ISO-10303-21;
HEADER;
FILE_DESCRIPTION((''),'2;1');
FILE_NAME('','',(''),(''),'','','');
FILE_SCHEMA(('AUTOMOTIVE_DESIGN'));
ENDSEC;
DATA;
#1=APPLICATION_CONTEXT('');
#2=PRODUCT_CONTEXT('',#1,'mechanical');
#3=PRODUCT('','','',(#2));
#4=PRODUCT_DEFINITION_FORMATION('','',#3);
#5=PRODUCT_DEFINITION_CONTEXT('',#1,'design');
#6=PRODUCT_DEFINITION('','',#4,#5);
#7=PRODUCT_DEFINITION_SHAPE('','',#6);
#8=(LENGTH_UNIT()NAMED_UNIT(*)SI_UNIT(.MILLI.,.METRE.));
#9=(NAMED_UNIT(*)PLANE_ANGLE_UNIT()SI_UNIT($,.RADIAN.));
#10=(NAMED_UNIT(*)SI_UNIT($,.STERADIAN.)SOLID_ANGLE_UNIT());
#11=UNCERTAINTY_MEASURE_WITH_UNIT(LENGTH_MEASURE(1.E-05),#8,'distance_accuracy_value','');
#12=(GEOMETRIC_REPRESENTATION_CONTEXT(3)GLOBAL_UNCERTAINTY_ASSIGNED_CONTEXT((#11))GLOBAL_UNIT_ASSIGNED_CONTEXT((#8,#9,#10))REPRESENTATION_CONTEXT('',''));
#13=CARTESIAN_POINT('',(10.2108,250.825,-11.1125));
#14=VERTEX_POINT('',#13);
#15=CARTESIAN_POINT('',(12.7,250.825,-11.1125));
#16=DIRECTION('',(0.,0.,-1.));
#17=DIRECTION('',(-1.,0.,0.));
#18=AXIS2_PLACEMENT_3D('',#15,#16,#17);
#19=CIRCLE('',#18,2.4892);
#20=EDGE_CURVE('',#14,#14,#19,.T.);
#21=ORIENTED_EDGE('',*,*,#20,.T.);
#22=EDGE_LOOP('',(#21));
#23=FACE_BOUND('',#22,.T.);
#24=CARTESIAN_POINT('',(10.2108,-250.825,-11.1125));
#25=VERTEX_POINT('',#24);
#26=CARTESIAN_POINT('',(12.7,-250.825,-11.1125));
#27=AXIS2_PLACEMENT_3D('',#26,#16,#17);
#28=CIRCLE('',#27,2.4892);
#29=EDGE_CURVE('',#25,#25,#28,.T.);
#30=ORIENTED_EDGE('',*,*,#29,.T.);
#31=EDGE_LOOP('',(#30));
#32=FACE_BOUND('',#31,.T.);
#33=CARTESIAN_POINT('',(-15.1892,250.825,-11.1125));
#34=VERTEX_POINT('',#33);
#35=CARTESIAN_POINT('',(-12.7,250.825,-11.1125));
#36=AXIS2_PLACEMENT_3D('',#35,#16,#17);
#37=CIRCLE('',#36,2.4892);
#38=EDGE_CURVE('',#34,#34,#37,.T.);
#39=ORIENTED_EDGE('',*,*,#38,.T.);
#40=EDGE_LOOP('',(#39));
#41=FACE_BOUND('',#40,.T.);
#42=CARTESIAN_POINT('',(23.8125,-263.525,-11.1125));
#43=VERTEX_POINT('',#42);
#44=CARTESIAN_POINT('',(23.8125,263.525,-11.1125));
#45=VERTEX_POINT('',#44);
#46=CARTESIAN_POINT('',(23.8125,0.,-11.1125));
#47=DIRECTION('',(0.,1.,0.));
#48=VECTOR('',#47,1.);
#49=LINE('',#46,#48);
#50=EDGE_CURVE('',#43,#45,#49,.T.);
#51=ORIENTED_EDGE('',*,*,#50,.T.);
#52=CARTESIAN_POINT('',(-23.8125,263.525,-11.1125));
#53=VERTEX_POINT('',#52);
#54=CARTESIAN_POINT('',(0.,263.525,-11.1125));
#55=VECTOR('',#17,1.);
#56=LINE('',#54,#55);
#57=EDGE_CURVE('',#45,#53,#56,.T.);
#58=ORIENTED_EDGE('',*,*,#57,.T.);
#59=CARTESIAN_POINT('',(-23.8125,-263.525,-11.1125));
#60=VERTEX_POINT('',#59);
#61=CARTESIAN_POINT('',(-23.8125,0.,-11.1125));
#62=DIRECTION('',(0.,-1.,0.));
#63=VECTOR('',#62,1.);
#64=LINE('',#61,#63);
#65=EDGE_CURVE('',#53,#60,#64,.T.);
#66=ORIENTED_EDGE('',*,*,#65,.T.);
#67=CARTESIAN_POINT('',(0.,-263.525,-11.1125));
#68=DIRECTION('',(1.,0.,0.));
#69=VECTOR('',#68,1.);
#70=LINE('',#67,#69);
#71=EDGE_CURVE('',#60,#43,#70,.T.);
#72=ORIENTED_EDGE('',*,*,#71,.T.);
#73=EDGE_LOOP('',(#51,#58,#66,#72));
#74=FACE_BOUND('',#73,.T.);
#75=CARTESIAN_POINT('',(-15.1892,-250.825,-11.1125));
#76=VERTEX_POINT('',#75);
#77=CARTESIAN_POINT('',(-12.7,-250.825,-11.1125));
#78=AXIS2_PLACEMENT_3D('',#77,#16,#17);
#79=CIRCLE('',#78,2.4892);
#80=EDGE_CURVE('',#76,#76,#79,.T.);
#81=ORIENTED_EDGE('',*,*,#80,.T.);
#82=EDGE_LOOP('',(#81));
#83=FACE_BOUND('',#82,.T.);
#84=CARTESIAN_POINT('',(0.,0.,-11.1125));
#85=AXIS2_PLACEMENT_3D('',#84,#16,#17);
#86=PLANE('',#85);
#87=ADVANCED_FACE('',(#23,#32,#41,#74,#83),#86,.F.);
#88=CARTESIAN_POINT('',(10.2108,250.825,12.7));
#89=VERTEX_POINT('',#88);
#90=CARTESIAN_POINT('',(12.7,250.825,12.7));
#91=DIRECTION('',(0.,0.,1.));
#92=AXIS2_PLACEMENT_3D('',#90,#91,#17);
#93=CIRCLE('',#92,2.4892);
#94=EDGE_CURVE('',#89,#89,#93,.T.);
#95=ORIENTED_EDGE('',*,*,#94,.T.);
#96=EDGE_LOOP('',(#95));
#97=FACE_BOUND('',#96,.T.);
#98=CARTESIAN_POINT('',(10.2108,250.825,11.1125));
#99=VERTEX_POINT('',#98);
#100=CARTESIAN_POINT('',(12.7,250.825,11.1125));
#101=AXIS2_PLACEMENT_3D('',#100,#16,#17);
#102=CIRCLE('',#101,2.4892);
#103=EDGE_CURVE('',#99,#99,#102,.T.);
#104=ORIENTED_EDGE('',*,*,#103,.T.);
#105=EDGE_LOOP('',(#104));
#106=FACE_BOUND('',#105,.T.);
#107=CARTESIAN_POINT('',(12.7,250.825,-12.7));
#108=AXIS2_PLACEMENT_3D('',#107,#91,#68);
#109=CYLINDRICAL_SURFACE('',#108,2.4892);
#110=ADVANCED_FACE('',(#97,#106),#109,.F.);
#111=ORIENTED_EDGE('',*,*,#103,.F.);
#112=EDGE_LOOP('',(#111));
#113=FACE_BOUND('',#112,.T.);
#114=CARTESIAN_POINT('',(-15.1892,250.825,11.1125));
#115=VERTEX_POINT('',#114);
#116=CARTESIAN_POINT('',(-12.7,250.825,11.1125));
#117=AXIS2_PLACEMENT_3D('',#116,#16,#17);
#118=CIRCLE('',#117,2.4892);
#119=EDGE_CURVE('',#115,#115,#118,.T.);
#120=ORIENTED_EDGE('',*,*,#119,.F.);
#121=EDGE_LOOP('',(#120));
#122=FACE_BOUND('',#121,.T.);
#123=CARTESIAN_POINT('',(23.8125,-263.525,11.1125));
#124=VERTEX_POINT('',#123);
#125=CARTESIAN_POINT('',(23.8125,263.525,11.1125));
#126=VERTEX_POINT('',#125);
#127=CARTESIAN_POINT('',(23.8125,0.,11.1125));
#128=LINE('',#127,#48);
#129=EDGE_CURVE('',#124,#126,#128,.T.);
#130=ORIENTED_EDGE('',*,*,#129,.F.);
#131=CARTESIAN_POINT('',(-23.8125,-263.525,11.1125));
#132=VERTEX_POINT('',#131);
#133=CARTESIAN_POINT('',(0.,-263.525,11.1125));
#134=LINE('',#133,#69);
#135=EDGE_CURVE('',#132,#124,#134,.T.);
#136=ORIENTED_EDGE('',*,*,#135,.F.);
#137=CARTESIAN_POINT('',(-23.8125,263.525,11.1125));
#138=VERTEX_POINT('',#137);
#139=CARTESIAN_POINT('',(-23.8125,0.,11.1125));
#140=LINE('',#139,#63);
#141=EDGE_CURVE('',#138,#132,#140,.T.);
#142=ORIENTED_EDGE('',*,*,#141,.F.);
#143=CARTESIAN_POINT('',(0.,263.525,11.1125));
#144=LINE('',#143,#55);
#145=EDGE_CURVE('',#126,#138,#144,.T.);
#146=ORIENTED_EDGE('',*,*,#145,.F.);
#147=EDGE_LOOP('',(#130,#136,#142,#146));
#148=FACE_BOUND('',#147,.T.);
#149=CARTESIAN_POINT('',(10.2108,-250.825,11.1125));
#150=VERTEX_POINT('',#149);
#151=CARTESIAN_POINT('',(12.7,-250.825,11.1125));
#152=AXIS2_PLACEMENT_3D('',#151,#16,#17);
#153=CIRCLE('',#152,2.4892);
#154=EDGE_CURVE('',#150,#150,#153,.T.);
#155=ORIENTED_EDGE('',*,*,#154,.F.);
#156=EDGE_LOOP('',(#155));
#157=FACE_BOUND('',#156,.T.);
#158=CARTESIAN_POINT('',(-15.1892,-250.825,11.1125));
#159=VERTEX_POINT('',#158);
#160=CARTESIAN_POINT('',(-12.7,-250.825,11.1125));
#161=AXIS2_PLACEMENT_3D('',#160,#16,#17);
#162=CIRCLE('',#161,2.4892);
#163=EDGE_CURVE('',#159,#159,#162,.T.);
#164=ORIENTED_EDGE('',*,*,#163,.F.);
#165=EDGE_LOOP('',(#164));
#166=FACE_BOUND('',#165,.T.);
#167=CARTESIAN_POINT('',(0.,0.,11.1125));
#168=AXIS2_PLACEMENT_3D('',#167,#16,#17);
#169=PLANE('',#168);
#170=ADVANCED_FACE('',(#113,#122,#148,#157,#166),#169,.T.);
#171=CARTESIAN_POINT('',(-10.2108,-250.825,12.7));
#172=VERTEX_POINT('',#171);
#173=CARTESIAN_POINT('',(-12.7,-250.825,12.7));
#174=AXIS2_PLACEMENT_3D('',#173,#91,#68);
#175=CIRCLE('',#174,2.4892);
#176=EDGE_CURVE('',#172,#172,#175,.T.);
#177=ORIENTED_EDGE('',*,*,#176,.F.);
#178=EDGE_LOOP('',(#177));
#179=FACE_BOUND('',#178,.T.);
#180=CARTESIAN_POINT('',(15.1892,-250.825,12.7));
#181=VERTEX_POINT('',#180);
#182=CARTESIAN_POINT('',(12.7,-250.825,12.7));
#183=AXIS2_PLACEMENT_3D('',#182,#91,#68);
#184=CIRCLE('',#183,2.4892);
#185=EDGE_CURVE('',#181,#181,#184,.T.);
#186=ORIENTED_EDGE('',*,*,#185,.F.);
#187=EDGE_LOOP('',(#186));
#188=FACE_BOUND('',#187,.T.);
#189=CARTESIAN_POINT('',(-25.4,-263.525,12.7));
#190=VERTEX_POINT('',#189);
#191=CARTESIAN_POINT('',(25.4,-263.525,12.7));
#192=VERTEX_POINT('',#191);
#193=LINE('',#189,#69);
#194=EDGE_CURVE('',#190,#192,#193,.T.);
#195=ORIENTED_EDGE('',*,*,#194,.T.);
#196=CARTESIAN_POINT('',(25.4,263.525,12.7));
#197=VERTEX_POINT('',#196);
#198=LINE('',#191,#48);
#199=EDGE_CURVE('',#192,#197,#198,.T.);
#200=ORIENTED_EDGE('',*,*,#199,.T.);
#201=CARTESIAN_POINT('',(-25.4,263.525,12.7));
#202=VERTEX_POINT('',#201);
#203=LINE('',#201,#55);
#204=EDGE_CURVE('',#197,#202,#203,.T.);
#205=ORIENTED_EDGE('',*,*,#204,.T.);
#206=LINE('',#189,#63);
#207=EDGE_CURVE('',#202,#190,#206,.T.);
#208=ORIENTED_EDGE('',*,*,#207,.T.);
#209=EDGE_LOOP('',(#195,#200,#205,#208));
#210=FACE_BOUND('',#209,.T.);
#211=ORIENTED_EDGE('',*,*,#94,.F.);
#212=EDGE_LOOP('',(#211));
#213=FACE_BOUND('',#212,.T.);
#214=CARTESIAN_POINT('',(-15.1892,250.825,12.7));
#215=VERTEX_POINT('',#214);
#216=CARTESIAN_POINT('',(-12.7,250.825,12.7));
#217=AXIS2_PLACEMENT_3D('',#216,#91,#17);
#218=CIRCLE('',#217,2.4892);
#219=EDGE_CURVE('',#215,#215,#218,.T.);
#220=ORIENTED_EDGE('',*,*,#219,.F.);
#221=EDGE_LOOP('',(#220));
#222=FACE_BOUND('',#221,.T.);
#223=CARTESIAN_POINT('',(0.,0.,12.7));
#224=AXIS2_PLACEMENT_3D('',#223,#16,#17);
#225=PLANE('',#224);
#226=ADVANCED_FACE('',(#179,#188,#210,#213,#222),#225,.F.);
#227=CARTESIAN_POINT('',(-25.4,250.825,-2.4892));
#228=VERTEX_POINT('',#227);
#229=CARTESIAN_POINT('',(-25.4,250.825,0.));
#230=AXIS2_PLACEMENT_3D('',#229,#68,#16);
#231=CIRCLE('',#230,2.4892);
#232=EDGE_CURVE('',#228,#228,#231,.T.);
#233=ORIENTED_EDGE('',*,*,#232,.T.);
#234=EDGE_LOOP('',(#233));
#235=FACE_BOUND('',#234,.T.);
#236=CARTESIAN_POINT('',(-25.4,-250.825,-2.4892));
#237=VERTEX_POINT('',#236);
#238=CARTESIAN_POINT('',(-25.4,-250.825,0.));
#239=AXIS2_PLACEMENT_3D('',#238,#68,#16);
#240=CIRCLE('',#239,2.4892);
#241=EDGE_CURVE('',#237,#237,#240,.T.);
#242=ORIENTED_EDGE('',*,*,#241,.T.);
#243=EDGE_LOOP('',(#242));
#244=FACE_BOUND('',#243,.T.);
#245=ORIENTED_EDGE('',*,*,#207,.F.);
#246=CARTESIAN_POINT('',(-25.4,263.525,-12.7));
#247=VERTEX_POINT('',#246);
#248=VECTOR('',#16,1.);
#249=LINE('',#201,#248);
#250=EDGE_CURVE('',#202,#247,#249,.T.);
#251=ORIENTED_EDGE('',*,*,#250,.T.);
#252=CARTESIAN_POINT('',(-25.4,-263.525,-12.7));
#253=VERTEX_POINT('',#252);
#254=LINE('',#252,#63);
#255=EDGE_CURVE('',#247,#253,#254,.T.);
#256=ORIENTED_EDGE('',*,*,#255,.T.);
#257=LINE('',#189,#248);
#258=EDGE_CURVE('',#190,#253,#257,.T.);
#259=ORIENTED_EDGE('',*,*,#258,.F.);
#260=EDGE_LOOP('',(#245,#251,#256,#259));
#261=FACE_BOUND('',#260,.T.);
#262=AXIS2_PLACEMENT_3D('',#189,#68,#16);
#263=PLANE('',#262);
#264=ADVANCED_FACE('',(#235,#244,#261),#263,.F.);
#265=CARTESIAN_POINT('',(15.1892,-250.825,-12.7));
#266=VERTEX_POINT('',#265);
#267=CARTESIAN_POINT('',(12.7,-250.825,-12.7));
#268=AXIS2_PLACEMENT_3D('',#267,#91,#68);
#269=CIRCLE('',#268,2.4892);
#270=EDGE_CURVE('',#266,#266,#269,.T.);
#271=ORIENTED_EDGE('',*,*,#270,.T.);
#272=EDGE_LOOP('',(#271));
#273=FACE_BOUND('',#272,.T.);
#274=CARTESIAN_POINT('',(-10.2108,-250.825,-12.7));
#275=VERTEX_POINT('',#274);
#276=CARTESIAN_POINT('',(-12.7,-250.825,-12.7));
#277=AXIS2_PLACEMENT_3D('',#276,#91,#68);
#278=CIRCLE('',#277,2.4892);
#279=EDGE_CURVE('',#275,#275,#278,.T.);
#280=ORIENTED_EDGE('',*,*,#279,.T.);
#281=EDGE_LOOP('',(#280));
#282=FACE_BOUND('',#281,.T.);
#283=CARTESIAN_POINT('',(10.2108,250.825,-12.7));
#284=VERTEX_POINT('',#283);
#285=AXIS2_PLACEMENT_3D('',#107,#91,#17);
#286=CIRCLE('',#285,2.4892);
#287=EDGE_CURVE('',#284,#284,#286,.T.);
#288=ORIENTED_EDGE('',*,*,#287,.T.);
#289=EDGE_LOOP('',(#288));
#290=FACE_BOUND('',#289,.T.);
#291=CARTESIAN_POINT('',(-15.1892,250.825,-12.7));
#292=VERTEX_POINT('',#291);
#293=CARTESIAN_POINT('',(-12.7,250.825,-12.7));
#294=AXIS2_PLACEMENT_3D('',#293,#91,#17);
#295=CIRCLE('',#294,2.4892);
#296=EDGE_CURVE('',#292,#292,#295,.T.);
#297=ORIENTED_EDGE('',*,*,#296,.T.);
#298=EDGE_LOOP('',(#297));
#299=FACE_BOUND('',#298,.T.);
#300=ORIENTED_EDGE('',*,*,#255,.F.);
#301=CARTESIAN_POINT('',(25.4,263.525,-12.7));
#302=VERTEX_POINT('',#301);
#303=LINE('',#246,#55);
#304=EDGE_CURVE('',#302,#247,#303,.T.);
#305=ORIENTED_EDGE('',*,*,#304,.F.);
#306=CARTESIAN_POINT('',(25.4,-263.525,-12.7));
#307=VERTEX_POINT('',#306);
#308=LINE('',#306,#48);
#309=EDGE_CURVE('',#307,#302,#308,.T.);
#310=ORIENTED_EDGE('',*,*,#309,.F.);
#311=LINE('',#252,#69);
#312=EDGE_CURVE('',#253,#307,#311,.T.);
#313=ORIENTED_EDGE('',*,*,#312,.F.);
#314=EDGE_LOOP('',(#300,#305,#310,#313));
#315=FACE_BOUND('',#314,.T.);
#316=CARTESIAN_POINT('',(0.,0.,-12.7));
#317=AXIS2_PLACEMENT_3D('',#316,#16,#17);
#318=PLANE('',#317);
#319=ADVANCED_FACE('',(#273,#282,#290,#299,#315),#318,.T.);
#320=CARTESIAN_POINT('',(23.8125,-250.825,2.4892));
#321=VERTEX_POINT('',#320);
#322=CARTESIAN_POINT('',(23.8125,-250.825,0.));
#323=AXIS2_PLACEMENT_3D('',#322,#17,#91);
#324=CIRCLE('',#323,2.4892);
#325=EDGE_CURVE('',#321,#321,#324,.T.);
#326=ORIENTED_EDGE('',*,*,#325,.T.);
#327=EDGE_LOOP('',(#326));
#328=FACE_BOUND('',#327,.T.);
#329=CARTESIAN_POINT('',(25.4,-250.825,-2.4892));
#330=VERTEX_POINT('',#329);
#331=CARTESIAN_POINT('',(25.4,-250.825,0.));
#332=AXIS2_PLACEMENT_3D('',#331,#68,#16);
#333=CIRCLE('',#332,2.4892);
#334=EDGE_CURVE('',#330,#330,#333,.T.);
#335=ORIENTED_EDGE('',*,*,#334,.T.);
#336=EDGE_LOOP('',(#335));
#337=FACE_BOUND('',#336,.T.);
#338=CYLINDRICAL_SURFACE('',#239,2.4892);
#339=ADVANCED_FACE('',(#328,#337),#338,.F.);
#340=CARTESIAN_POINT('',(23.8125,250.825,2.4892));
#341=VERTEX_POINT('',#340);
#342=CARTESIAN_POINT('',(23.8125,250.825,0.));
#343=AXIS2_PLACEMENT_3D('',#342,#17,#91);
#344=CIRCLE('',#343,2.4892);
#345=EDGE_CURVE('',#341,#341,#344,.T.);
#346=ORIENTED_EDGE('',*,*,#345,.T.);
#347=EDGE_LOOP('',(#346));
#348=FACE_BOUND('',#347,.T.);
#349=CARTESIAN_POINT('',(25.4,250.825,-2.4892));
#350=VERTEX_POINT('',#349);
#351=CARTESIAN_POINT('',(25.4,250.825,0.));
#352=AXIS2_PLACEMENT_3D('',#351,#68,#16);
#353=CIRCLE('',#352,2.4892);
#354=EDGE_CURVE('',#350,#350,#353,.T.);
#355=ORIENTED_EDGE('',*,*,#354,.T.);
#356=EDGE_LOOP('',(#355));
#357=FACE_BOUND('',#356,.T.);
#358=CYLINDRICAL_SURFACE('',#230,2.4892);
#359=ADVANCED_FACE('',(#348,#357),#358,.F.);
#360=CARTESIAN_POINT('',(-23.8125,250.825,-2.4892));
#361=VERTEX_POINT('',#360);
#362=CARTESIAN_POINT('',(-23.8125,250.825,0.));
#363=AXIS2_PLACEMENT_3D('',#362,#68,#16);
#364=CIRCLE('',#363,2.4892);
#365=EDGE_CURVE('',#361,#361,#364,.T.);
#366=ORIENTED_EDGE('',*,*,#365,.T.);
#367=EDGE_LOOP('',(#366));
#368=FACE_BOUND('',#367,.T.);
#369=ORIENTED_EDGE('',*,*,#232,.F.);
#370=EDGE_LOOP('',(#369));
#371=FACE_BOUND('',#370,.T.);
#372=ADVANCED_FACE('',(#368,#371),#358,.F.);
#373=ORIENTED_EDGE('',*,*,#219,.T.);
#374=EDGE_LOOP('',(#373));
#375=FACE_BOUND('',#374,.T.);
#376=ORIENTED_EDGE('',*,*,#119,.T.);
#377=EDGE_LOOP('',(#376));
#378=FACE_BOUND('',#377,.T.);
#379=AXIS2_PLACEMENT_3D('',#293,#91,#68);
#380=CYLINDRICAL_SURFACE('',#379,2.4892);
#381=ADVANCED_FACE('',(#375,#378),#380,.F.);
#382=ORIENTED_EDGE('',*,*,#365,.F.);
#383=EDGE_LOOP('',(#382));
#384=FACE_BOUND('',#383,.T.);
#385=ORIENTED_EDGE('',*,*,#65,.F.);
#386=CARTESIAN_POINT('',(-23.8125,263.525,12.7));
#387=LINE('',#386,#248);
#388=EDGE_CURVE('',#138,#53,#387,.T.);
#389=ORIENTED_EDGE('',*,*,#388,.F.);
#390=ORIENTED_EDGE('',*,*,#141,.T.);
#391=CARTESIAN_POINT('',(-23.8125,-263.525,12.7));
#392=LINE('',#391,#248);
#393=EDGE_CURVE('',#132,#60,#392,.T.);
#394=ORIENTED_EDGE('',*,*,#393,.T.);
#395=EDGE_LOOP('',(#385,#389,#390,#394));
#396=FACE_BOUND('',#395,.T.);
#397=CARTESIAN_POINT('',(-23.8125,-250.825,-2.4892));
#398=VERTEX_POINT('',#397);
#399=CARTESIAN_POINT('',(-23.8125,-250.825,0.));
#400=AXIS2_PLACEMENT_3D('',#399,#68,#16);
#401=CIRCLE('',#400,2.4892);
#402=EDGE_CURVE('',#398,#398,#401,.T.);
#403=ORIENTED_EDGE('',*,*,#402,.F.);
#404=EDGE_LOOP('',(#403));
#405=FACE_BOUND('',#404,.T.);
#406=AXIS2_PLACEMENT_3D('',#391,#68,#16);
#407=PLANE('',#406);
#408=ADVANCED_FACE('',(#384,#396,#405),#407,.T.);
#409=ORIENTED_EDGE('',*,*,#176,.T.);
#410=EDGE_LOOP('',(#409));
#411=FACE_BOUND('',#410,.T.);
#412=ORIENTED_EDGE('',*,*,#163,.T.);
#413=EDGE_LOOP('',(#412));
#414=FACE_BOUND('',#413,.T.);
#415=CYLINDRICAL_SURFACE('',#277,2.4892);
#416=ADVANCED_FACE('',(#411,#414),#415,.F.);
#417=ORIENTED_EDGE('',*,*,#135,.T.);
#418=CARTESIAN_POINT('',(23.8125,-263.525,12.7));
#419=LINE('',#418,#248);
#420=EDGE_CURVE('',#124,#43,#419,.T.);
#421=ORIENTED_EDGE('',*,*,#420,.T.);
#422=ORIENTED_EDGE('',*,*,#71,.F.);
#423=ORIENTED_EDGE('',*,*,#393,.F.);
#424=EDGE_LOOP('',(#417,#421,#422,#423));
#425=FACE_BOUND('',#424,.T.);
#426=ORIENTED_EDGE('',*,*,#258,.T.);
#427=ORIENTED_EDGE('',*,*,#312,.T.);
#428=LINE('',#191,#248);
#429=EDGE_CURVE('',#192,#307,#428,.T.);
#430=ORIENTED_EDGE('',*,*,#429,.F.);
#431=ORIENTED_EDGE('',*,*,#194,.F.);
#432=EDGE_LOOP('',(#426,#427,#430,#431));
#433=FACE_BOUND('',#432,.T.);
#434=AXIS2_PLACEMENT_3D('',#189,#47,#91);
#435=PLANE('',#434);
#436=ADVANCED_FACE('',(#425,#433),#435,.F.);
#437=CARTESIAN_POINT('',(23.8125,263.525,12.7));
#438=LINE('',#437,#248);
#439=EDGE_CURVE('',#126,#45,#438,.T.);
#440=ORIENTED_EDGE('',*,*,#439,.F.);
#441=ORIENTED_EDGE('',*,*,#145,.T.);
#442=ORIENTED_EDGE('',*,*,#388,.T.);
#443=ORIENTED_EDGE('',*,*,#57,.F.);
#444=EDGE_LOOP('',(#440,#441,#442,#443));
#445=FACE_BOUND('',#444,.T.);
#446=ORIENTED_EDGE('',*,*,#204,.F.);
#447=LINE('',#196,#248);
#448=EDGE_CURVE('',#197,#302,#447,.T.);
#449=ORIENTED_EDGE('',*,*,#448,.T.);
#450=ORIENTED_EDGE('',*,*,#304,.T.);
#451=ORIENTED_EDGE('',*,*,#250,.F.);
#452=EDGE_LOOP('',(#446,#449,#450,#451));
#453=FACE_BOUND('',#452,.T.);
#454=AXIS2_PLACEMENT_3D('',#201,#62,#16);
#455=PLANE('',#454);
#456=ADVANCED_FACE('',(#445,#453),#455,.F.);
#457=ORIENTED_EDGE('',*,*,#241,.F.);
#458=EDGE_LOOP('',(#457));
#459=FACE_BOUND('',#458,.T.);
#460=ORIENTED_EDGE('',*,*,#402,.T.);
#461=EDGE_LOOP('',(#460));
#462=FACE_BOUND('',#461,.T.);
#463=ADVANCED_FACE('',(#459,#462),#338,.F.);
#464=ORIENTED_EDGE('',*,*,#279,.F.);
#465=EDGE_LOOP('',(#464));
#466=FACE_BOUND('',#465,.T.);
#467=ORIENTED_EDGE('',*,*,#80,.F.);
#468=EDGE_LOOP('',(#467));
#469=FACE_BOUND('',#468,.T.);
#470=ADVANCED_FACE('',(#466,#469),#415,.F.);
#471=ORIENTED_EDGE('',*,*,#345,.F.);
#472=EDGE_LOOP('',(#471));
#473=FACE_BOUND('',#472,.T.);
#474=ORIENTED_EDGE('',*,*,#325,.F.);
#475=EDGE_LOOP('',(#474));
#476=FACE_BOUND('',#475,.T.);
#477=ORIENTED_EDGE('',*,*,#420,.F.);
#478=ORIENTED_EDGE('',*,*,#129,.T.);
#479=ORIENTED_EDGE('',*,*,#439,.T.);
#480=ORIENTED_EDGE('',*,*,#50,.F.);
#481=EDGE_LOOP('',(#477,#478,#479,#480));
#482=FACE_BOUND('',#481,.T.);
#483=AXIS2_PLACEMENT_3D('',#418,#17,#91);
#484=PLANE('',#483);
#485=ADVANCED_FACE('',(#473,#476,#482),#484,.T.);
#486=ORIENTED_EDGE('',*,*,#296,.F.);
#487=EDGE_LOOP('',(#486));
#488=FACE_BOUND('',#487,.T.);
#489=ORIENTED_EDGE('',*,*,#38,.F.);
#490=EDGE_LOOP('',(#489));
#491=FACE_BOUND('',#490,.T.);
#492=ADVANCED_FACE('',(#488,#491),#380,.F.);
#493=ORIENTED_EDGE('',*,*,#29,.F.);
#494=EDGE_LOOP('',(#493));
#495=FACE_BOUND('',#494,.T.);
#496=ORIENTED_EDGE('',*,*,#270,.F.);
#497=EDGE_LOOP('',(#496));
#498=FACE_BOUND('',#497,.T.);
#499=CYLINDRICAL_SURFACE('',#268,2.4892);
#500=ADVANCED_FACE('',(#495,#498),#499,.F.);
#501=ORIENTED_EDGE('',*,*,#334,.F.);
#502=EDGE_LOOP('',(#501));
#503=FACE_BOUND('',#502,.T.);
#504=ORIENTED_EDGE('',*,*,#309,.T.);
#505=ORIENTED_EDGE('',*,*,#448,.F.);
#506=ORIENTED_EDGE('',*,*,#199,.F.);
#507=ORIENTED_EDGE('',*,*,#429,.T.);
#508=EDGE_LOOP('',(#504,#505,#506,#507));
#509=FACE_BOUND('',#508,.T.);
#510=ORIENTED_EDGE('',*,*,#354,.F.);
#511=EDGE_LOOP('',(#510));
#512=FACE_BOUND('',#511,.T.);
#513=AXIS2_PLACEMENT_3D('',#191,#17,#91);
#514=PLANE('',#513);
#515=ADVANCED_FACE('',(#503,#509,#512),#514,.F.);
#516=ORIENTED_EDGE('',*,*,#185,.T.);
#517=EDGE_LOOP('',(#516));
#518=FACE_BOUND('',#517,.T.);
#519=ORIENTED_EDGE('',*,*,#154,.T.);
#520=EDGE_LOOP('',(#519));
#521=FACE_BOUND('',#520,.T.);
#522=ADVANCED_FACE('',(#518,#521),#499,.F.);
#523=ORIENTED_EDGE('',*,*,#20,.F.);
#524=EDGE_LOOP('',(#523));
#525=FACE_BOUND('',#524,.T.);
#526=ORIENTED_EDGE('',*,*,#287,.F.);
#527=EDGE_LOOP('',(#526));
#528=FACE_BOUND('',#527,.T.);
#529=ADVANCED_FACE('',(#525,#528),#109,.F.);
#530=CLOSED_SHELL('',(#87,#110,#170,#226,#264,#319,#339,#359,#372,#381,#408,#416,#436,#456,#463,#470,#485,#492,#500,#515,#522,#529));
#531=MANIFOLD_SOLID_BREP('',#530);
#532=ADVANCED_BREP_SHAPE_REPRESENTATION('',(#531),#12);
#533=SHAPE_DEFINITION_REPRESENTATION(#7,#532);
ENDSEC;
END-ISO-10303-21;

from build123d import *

# Parameters (mm, degrees)
SKETCH1_W               = 50.8
SKETCH1_H               = 527.05
BOSS_EXTRUDE1_DEPTH     = 12.7
SHELL1_T                = -1.5875
CUT_EXTRUDE1_DEPTH      = 266.050703876
CUT_EXTRUDE1_DEPTH_BACK = 266.050703876
SKETCH2_R               = 2.4892
CUT_EXTRUDE2_DEPTH      = 266.050703876
CUT_EXTRUDE2_DEPTH_BACK = 266.050703876
SKETCH3_R               = 2.4892


with BuildPart() as part:
    # Sketch1 → Boss-Extrude1 (new, symmetric)
    with BuildSketch(Plane.XY):
        Rectangle(SKETCH1_W, SKETCH1_H)
    extrude(amount=BOSS_EXTRUDE1_DEPTH, both=True)

    # Shell1
    shell1_openings = [part.faces().sort_by_distance(p)[0] for p in [
        (0, -263.525, 0),
        (0, 263.525, 0),
    ]]
    offset(amount=SHELL1_T, openings=shell1_openings, kind=Kind.INTERSECTION)

    # Sketch2 → Cut-Extrude1 (cut, two sides: drawn at the far end of the back side and taken through both)
    with BuildSketch(Plane.XY.offset(-CUT_EXTRUDE1_DEPTH_BACK)):
        with Locations((-12.7, -250.825)):
            Circle(SKETCH2_R)
        with Locations((12.7, -250.825)):
            Circle(SKETCH2_R)
        with Locations(Location((12.7, 250.825, 0), (0, 0, 180))):
            Circle(SKETCH2_R)
        with Locations(Location((-12.7, 250.825, 0), (0, 0, 180))):
            Circle(SKETCH2_R)
    extrude(amount=CUT_EXTRUDE1_DEPTH + CUT_EXTRUDE1_DEPTH_BACK, mode=Mode.SUBTRACT)

    # Sketch3 → Cut-Extrude2 (cut, two sides: drawn at the far end of the back side and taken through both)
    with BuildSketch(Plane(origin=(0, 0, 0), x_dir=(0, 0, -1), z_dir=(1, 0, 0)).offset(-CUT_EXTRUDE2_DEPTH_BACK)):
        with Locations((0, -250.825)):
            Circle(SKETCH3_R)
        with Locations((0, 250.825)):
            Circle(SKETCH3_R)
    extrude(amount=CUT_EXTRUDE2_DEPTH + CUT_EXTRUDE2_DEPTH_BACK, mode=Mode.SUBTRACT)


solid = part.part
